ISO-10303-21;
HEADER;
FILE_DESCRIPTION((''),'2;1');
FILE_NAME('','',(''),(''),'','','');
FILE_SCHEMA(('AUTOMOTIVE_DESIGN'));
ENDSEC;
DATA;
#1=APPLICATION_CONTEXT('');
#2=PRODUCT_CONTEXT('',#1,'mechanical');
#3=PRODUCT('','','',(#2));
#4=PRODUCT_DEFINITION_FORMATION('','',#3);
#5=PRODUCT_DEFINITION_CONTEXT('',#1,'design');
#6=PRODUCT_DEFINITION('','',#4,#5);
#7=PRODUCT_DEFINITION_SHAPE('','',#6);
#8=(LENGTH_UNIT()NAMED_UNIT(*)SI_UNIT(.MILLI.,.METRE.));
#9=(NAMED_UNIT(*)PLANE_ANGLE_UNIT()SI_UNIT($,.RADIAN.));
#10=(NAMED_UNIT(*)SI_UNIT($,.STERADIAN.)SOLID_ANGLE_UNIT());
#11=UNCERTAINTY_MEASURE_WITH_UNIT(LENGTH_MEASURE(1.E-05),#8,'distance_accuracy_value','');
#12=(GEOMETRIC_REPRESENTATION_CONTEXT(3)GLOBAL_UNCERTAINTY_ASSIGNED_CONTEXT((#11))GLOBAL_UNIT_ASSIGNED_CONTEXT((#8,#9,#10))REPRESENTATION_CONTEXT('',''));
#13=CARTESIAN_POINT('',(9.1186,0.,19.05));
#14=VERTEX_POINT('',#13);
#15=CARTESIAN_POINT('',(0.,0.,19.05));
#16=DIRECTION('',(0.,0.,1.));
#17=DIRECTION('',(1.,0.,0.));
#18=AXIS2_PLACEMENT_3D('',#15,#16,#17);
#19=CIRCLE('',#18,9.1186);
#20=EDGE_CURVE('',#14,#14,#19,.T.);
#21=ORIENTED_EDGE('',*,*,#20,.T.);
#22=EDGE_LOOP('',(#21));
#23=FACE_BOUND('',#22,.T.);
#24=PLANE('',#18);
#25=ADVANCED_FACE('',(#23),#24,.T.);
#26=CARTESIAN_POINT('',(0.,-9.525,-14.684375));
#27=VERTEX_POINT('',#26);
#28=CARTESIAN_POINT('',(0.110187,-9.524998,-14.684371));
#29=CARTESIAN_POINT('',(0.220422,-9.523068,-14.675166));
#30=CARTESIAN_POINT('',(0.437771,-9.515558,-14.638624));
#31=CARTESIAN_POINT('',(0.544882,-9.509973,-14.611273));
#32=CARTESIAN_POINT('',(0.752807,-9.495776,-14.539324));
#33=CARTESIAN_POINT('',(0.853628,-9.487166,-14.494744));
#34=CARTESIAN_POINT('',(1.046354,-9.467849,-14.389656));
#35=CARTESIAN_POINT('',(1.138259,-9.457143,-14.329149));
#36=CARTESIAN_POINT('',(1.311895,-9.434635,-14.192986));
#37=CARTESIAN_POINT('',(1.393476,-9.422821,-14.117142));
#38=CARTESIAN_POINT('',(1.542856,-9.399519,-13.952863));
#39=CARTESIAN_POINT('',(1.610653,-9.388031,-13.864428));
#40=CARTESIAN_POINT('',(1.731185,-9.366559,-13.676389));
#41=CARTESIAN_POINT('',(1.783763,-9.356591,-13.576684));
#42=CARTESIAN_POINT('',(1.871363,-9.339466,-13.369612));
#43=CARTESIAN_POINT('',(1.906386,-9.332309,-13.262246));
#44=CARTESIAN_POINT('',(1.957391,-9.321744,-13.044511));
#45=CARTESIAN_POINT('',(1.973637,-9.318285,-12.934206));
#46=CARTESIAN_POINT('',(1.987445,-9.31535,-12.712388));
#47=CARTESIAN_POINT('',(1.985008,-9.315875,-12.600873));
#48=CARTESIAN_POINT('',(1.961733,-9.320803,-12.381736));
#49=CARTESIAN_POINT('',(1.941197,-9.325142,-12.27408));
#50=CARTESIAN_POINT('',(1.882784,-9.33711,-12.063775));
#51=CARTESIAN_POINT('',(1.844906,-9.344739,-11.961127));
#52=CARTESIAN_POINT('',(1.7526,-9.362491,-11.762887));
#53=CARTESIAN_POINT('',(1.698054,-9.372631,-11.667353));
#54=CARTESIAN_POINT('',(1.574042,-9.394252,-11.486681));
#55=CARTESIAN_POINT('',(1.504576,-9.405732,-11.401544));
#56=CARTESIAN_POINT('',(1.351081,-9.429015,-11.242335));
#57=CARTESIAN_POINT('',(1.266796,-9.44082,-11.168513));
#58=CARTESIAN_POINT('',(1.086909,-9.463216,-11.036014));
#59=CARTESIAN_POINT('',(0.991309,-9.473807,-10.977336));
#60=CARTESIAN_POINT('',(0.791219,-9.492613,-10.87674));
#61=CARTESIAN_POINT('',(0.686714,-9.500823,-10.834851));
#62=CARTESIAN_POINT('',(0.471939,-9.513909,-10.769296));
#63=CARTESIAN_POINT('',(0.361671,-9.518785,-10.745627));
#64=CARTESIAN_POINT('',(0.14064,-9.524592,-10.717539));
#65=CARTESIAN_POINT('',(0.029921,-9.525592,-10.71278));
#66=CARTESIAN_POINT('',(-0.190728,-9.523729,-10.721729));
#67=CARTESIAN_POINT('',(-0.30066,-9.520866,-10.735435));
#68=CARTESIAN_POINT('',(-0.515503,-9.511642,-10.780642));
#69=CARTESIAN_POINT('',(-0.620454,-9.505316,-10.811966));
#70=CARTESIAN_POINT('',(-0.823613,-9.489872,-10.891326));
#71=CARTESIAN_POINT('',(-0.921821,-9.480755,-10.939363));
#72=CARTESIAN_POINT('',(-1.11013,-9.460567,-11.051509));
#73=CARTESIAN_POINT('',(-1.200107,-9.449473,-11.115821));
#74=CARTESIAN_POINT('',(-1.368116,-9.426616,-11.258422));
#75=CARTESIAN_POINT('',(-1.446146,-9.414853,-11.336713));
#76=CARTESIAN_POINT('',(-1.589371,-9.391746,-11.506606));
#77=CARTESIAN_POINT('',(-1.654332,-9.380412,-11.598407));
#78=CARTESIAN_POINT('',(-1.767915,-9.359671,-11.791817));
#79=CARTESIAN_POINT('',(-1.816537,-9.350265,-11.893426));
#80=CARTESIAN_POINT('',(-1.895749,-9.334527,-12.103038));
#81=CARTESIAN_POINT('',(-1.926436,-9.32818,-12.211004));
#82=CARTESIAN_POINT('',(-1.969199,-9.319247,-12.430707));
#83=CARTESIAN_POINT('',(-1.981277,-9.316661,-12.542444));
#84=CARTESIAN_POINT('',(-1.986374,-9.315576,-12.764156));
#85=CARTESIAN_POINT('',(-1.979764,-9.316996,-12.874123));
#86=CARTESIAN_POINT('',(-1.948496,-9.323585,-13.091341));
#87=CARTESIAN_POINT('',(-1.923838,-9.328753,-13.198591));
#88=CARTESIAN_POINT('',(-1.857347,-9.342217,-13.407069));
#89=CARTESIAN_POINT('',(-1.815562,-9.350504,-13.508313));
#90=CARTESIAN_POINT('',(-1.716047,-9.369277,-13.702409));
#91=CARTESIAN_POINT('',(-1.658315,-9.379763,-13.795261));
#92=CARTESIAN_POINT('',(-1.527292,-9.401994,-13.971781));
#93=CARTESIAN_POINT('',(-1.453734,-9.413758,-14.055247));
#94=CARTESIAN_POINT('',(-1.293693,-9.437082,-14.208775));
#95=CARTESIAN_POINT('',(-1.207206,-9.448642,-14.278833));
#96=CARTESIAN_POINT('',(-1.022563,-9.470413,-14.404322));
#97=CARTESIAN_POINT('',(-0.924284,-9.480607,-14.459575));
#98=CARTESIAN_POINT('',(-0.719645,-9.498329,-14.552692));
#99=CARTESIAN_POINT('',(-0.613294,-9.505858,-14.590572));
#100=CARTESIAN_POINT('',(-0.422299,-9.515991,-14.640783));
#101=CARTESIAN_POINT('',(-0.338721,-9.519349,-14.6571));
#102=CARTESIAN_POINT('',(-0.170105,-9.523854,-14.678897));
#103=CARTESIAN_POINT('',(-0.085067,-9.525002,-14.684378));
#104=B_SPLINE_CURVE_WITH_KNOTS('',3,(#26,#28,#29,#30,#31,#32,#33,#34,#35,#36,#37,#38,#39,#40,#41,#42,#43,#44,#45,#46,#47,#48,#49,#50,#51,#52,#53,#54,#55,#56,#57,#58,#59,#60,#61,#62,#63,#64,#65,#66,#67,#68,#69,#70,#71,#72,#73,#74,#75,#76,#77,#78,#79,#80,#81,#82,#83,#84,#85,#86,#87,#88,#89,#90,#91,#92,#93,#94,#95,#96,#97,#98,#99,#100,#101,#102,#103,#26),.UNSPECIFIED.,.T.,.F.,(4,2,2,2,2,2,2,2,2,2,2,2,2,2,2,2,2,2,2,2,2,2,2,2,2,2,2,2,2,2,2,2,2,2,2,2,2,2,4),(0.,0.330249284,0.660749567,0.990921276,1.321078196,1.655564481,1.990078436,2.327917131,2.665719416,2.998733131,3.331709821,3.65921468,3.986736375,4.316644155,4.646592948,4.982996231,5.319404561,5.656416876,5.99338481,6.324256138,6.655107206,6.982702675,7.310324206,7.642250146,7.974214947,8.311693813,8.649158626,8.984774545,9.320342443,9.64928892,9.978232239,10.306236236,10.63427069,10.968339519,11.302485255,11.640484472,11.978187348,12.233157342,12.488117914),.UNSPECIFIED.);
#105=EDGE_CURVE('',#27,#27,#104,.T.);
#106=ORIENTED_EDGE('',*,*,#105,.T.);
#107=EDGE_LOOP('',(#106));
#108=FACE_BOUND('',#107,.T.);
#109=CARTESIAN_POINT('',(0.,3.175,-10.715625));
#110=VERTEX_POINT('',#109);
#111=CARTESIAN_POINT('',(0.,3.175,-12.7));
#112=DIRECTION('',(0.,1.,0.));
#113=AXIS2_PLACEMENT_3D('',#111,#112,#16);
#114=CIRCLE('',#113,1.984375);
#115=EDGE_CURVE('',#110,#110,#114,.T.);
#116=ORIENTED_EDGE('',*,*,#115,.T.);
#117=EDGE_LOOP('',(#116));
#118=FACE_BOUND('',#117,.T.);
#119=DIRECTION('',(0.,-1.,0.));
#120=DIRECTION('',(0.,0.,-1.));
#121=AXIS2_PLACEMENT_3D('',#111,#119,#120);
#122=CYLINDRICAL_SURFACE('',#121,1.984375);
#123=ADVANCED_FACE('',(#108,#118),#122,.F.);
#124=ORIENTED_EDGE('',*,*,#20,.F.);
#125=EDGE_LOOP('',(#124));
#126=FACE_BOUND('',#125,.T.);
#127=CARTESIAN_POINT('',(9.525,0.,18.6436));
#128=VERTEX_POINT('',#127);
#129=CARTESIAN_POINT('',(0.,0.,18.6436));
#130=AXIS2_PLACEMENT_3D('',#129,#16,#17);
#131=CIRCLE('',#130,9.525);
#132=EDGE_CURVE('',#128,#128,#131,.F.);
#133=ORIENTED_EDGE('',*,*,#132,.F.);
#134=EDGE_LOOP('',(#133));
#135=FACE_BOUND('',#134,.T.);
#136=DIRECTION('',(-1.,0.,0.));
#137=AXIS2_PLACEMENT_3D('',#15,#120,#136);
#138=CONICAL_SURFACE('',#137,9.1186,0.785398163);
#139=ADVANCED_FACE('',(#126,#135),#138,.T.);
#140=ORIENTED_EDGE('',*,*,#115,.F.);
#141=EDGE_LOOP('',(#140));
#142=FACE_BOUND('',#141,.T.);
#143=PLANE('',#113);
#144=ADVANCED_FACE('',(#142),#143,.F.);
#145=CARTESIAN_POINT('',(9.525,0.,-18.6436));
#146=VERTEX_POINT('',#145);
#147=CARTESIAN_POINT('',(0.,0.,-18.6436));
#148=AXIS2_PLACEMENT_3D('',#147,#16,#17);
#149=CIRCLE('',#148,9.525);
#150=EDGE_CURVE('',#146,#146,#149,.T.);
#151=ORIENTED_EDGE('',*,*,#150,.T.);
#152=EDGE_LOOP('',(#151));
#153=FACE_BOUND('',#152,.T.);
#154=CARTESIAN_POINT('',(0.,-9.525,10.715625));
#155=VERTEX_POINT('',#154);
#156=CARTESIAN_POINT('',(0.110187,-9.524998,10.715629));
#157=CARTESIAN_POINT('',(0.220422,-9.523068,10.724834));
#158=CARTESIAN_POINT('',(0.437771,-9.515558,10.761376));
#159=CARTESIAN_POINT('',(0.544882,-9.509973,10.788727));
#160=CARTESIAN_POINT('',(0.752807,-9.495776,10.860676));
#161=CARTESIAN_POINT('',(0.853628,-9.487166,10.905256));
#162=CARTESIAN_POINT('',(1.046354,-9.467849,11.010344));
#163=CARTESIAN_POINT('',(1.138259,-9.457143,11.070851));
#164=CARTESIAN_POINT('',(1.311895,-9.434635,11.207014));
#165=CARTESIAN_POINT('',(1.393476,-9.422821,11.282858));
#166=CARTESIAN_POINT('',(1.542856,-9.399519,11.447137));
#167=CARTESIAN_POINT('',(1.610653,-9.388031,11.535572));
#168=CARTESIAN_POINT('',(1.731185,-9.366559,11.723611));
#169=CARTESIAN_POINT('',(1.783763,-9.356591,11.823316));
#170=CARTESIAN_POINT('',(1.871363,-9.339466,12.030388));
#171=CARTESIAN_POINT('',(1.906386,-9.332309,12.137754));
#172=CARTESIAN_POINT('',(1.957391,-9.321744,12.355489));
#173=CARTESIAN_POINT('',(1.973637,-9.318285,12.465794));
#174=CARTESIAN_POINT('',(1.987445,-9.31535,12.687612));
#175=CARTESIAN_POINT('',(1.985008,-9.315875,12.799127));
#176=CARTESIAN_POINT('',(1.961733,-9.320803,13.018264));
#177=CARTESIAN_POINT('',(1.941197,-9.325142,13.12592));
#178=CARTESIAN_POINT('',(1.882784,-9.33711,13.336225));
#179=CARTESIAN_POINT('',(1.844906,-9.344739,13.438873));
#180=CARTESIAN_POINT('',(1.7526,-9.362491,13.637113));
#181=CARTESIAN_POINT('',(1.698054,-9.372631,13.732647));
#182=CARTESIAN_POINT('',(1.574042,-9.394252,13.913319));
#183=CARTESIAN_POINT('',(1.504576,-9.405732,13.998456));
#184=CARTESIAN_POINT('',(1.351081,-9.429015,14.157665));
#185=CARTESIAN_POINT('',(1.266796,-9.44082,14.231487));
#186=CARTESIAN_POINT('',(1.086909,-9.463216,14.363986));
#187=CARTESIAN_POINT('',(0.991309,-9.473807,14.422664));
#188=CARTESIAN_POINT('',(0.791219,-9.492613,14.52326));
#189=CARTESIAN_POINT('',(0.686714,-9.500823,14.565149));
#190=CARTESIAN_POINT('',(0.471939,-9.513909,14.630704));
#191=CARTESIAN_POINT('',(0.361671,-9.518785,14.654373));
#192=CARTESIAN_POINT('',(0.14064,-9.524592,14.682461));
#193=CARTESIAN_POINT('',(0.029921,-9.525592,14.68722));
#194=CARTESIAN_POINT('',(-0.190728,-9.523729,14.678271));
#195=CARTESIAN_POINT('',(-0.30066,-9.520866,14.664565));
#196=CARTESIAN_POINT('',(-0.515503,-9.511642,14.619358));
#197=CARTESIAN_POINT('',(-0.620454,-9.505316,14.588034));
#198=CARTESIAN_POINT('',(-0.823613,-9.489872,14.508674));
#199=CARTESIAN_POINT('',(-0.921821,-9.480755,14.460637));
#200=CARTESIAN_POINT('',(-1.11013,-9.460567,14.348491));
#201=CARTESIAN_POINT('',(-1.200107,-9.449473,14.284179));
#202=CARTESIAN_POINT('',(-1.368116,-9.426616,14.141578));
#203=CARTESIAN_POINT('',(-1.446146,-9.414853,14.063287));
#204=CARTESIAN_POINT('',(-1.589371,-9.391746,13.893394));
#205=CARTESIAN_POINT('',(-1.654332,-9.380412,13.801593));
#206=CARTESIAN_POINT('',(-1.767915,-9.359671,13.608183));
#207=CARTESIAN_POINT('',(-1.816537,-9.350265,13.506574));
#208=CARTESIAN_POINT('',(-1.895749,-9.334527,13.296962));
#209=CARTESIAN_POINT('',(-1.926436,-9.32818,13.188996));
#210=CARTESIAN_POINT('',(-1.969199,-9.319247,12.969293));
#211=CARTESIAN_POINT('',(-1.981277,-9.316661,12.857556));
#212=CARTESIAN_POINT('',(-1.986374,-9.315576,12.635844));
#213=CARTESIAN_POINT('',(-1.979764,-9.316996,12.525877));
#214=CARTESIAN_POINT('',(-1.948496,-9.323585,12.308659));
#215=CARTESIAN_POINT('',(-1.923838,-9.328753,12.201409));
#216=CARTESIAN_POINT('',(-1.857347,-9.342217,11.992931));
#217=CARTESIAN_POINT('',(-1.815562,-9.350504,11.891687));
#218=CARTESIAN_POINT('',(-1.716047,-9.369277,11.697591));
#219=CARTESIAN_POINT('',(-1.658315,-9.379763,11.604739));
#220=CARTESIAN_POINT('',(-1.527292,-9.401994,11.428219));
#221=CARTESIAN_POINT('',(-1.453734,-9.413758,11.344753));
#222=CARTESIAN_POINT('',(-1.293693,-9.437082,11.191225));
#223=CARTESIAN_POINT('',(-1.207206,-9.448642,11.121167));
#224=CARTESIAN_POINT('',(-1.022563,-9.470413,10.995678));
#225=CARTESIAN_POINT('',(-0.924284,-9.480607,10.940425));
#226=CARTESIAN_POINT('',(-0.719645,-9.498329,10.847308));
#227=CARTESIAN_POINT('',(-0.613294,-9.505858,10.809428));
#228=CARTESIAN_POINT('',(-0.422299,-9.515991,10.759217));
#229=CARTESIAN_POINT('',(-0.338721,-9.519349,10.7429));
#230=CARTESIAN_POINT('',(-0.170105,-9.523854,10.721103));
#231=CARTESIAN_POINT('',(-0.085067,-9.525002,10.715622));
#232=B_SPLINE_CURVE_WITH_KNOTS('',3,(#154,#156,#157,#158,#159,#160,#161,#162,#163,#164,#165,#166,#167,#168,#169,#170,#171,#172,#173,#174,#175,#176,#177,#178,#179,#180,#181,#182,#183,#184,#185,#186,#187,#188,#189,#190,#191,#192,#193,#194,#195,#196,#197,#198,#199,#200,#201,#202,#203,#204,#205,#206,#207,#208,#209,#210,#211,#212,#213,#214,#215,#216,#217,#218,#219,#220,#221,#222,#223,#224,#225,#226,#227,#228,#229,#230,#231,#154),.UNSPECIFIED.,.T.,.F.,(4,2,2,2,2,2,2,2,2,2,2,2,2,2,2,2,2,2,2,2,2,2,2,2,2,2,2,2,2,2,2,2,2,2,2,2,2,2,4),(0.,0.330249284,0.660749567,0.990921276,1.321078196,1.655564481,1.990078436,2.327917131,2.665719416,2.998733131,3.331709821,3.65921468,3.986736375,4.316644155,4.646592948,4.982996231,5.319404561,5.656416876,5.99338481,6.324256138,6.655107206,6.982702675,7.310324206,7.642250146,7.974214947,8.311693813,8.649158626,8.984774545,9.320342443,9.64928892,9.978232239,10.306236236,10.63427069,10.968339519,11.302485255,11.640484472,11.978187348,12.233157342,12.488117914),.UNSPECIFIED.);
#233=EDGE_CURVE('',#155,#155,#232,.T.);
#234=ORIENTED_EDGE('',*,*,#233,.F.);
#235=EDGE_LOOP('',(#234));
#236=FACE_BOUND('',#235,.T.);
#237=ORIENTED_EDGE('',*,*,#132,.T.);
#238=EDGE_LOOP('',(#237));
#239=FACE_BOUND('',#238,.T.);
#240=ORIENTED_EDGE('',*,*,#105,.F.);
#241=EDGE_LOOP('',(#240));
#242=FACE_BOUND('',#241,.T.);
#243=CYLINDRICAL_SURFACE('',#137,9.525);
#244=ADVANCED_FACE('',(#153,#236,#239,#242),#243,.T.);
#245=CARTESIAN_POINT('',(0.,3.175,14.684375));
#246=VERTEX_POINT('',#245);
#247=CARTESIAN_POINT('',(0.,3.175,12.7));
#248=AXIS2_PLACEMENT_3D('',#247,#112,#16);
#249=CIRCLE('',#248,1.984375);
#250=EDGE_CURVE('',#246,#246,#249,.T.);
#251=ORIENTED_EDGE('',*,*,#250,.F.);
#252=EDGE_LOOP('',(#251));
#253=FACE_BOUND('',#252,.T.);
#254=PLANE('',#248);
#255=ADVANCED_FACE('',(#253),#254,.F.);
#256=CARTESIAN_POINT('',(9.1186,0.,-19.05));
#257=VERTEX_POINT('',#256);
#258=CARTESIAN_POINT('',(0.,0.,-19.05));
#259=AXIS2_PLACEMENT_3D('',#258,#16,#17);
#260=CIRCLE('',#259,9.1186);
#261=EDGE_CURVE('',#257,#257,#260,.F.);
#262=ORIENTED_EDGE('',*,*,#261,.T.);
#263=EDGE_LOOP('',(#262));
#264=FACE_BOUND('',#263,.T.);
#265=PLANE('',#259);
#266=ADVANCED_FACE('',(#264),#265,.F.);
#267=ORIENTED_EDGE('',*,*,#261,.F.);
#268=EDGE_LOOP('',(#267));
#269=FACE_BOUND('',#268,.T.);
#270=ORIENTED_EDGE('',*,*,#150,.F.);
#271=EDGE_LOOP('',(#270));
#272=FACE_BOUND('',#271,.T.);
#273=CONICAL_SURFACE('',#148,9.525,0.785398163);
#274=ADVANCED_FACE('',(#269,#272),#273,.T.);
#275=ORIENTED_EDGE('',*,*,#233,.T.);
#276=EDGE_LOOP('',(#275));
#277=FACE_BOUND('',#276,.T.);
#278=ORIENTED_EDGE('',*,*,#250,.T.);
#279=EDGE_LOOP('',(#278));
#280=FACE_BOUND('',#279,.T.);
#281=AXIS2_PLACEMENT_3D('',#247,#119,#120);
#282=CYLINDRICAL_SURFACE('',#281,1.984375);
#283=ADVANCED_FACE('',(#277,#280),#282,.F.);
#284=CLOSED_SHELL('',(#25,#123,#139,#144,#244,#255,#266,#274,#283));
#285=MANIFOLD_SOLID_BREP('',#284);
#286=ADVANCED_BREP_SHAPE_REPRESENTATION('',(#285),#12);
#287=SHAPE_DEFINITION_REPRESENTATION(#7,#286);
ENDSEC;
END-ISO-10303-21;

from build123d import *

# Parameters (mm, degrees)
SKETCH1_R         = 9.525
EXTRUDE1_DEPTH    = 19.05
CHAMFER1_SIZE     = 0.4064
SKETCH6_R         = 1.984375
BLIND_HOLES_DEPTH = 12.7


with BuildPart() as part:
    # Sketch1 → Extrude1 (new body, symmetric)
    with BuildSketch(Plane.XY):
        Circle(SKETCH1_R)
    extrude(amount=EXTRUDE1_DEPTH, both=True)

    # Chamfer1
    chamfer1_edges = [part.edges().sort_by_distance(p)[0] for p in [
        (-9.525, 0, -19.05),
        (-9.525, 0, 19.05),
    ]]
    chamfer(chamfer1_edges, length=CHAMFER1_SIZE)

    # Sketch6 → Blind Holes (cut)
    with BuildSketch(Plane(origin=(0, -9.525, 0), x_dir=(-1, 0, 0), z_dir=(0, 1, 0))):
        with Locations(Location((0, 12.7, 0), (0, 0, 270))):  # turned: the seam where the file's is
            Circle(SKETCH6_R)
        with Locations(Location((0, -12.7, 0), (0, 0, 270))):  # turned: the seam where the file's is
            Circle(SKETCH6_R)
    extrude(amount=BLIND_HOLES_DEPTH, mode=Mode.SUBTRACT)


solid = part.part
